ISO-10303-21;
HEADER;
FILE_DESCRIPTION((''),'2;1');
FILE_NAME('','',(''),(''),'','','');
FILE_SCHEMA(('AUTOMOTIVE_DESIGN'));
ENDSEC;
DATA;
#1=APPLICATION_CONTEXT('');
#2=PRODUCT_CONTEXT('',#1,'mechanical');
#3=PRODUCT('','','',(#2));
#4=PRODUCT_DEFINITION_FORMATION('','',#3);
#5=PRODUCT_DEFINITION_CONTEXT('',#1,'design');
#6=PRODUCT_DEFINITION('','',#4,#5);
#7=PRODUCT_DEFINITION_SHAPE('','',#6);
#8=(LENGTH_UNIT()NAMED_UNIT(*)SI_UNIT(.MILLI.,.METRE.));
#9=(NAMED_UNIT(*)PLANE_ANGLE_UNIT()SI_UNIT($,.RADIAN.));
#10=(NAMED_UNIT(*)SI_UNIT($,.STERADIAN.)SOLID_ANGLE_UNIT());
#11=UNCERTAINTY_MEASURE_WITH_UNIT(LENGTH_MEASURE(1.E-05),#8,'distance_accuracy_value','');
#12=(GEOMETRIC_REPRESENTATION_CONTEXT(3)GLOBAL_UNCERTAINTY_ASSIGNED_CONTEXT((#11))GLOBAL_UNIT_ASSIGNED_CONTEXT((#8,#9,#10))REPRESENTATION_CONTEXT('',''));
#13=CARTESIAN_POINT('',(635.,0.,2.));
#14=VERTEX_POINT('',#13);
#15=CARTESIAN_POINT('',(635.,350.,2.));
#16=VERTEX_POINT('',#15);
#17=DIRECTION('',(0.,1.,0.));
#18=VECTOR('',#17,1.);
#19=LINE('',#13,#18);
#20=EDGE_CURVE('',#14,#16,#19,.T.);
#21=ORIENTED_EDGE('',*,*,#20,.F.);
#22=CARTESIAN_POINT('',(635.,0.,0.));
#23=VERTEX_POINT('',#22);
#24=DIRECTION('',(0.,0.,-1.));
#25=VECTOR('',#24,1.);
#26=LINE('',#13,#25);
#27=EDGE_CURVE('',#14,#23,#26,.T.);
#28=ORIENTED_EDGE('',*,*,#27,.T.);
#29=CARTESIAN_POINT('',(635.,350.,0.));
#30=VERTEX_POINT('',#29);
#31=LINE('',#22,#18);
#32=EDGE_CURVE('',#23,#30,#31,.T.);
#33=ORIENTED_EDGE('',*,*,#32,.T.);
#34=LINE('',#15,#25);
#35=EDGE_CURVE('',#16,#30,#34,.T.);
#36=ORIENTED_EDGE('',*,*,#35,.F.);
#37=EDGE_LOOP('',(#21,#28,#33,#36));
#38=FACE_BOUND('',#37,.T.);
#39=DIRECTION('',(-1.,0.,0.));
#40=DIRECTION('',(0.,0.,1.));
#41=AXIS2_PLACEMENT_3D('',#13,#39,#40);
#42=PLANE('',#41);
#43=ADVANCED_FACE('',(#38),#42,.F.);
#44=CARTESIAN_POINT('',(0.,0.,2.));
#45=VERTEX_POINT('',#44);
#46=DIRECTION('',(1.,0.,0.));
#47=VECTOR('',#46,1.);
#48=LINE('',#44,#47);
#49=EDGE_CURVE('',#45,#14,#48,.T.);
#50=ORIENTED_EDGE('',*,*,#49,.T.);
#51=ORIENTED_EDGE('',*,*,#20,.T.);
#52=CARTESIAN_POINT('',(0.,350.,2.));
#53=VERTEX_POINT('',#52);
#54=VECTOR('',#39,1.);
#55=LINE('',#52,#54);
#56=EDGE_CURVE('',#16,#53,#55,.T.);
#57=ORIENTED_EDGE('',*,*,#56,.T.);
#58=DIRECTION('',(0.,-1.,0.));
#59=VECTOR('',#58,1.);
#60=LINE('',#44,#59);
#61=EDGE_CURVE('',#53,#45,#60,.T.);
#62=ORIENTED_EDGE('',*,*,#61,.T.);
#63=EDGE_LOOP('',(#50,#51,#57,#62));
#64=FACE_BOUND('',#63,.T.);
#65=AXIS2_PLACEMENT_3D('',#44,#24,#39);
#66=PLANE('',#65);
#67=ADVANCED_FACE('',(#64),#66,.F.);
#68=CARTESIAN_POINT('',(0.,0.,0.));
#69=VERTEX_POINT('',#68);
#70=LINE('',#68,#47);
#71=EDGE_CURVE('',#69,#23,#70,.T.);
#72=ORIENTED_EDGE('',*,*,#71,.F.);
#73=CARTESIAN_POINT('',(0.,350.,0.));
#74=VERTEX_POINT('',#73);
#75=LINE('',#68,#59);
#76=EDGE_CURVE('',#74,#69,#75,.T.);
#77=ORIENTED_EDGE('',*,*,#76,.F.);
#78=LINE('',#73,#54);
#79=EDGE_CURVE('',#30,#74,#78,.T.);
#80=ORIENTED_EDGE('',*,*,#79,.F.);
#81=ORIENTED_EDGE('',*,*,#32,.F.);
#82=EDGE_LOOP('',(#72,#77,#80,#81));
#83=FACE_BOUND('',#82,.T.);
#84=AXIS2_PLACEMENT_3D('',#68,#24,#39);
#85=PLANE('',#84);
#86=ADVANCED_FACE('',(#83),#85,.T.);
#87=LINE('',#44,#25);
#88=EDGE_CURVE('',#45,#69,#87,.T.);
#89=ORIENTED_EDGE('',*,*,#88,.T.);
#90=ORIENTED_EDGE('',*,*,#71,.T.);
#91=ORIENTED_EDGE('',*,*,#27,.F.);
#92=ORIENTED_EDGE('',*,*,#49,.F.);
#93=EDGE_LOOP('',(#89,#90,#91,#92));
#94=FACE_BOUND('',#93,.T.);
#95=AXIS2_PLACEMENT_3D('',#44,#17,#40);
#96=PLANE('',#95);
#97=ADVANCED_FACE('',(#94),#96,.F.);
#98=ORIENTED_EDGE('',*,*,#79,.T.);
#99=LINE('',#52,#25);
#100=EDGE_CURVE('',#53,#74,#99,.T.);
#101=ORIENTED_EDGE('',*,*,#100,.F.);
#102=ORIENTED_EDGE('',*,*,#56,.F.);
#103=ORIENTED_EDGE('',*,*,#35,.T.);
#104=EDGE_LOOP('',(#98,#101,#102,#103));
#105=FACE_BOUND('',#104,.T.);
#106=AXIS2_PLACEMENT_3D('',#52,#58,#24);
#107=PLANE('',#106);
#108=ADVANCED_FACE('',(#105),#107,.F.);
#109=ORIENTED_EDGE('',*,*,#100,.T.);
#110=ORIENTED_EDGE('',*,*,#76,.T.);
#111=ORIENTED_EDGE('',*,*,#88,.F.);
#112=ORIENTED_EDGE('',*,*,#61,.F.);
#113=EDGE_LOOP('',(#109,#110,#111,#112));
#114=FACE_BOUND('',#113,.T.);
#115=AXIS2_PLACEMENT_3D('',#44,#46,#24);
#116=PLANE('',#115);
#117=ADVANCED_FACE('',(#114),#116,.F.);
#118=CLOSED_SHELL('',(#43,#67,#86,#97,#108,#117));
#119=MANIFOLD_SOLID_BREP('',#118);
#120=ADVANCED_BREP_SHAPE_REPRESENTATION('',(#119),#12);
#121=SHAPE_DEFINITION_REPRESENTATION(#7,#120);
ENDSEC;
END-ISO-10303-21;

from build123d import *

# Parameters (mm, degrees)
SKETCH_1_W      = 635
SKETCH_1_H      = 350
EXTRUDE_1_DEPTH = 2


with BuildPart() as part:
    # 草图1 → 凸台-拉伸1 (new body)
    with BuildSketch(Plane.XY):
        with Locations((317.5, 175)):
            Rectangle(SKETCH_1_W, SKETCH_1_H)
    extrude(amount=EXTRUDE_1_DEPTH)


solid = part.part
